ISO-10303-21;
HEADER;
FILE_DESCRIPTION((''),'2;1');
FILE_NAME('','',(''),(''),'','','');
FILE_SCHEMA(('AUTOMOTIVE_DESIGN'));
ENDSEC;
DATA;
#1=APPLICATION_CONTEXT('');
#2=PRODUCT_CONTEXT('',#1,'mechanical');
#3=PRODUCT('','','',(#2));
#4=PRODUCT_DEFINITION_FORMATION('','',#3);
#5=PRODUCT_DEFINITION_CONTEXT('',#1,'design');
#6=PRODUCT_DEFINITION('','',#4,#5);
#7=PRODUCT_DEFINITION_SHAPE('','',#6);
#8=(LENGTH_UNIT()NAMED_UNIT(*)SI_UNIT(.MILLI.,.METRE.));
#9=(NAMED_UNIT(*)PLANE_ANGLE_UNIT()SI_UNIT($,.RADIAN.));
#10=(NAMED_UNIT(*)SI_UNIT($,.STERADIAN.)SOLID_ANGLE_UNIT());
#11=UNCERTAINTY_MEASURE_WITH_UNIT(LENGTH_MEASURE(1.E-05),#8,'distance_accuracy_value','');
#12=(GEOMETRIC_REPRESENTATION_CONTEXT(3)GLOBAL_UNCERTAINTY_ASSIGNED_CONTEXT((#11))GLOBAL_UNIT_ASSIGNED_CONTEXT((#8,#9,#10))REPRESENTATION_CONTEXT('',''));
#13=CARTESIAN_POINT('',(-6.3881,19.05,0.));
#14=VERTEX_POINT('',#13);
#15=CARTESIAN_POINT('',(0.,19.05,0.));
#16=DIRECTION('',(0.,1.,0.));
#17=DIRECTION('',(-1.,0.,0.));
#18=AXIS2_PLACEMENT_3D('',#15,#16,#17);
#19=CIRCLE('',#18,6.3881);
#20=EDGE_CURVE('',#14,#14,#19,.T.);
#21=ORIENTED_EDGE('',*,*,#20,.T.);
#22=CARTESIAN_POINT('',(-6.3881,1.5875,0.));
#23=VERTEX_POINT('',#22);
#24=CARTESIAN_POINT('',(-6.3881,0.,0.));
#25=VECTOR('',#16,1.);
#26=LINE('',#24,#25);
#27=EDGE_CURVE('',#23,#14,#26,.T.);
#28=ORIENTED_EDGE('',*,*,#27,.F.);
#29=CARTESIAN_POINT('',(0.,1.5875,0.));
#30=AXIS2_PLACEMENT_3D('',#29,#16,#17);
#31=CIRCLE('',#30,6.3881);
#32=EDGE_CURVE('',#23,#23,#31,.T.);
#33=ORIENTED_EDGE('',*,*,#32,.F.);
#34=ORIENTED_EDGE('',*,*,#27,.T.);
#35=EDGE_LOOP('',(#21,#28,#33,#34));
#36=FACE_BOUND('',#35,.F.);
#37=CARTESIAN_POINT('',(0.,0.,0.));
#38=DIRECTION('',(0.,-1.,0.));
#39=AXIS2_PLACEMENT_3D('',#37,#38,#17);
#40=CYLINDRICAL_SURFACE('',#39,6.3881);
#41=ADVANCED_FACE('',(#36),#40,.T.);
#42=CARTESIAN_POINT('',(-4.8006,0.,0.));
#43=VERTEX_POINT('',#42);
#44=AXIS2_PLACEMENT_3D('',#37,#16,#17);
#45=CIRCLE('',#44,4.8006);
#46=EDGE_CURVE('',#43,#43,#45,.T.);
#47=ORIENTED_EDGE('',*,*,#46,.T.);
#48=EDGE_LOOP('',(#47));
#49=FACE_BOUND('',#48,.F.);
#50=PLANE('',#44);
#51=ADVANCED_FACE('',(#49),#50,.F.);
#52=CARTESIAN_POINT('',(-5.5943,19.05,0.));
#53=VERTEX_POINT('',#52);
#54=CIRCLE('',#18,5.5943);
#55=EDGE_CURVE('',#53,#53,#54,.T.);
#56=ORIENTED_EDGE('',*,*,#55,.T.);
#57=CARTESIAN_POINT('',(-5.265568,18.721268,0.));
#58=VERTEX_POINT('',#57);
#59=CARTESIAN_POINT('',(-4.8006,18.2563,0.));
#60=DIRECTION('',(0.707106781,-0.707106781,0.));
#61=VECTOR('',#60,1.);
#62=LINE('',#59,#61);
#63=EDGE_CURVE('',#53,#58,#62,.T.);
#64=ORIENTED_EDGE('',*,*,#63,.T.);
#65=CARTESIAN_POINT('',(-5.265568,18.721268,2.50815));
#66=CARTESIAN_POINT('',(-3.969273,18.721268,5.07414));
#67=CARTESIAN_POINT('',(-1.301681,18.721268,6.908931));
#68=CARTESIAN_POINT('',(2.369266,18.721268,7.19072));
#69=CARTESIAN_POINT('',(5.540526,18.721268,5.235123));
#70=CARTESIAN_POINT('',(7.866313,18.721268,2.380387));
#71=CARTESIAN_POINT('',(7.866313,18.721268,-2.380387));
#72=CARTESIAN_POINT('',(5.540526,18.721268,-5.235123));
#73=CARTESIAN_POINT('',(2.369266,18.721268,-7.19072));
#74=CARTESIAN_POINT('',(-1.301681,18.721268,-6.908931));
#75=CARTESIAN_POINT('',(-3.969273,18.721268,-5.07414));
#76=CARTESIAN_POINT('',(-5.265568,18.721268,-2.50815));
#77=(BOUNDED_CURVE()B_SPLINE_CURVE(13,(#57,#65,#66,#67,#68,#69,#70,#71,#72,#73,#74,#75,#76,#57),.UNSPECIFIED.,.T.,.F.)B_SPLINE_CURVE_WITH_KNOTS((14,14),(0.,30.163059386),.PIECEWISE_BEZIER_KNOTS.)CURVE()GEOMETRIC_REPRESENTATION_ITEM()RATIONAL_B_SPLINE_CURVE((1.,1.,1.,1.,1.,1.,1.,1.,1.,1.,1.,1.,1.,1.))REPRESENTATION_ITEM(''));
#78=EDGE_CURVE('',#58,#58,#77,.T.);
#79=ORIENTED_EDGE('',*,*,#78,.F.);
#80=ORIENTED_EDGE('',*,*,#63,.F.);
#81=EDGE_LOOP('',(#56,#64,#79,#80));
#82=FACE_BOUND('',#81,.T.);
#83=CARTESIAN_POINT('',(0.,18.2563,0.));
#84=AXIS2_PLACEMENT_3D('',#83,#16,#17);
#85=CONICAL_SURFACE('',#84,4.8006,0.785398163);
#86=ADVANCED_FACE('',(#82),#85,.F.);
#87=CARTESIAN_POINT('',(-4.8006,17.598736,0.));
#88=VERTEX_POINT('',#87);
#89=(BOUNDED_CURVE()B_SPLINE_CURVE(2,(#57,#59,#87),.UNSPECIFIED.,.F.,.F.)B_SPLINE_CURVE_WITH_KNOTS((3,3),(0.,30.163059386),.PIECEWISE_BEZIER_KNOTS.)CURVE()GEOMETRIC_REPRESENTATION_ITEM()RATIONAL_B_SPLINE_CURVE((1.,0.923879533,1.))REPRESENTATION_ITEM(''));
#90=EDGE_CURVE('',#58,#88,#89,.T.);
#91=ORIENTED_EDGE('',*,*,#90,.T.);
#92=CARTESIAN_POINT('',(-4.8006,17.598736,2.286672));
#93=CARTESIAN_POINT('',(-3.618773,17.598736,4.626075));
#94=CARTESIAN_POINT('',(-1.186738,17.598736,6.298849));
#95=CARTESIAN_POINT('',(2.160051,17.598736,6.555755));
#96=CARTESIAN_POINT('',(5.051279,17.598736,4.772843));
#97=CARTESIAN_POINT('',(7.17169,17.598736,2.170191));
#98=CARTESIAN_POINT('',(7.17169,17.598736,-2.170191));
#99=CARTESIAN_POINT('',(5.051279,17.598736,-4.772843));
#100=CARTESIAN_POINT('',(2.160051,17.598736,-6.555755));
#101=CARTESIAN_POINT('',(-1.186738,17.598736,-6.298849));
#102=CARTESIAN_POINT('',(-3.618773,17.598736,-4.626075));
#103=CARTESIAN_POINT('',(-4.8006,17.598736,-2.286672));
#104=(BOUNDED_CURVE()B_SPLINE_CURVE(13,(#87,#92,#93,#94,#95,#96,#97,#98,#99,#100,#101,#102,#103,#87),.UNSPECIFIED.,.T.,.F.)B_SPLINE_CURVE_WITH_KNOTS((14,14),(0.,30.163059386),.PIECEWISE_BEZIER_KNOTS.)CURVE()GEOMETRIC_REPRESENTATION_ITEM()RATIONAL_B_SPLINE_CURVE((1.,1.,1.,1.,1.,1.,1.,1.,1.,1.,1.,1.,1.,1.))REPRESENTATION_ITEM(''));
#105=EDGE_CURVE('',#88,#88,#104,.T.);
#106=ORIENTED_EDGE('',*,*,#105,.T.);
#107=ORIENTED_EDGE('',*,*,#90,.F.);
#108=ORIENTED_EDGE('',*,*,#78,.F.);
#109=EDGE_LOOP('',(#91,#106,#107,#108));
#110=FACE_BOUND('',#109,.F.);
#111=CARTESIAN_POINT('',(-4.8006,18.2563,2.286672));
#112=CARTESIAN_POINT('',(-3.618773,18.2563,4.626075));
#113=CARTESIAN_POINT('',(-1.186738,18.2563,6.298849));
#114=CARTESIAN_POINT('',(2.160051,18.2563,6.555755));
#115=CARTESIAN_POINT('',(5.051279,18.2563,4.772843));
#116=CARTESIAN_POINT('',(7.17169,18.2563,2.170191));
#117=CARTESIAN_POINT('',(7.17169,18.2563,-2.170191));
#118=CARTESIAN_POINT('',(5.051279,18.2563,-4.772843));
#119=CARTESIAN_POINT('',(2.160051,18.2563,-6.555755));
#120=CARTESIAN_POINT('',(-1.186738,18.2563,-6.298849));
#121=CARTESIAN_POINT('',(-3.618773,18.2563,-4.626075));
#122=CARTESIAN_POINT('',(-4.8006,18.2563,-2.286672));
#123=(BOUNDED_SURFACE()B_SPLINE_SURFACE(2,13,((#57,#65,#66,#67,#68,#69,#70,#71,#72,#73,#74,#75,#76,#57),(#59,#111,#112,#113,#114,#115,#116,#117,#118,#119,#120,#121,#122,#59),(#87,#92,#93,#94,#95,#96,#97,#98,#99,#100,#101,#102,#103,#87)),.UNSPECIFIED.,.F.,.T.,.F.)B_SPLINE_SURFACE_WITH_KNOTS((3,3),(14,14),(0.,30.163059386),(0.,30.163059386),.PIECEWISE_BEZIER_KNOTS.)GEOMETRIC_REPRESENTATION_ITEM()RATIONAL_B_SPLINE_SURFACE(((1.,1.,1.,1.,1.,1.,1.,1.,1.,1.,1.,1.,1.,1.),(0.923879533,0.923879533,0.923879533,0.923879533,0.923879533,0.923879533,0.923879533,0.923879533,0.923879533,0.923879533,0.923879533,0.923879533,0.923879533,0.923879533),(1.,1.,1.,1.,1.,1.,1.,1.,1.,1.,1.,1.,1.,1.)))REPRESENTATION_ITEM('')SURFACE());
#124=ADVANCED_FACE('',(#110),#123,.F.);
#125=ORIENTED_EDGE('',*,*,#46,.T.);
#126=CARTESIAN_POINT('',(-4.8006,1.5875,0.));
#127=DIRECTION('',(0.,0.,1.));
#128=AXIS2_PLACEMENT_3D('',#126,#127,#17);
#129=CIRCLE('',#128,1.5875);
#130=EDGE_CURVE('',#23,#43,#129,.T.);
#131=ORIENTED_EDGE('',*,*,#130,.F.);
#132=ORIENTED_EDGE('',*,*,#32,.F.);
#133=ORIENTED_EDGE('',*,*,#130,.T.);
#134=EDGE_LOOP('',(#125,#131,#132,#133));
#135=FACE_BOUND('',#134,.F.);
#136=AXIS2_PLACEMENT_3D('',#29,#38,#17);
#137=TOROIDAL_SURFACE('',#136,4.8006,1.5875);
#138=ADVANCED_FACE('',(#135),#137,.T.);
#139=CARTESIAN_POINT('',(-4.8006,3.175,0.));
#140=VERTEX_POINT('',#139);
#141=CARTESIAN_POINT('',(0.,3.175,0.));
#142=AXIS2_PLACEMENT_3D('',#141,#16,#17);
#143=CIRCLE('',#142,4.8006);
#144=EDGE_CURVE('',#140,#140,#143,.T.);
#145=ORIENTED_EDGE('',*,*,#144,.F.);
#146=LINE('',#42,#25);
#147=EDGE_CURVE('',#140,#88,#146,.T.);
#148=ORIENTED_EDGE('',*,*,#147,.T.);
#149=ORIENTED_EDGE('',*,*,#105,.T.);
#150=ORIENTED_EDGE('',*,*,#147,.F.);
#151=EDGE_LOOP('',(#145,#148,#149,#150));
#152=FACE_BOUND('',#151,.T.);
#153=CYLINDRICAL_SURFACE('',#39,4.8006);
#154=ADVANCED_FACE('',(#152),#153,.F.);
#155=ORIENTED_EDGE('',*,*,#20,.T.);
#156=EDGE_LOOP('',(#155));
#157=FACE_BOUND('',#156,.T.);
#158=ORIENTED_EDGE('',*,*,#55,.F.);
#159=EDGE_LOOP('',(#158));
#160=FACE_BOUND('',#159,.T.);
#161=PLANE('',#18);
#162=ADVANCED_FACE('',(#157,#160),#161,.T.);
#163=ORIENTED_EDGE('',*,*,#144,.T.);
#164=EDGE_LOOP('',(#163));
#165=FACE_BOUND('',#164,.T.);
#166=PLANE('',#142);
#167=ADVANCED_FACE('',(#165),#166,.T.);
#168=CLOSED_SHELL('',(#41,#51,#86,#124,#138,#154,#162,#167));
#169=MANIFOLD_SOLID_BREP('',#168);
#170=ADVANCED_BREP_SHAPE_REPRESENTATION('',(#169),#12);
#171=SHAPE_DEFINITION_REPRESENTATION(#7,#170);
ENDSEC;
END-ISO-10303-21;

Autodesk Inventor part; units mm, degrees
ref_plane "YZ Plane" through (0, 0, 0) normal (1, 0, 0) x (0, 1, 0)
ref_plane "XZ Plane" through (0, 0, 0) normal (0, 1, 0) x (-1, 0, 0)
ref_plane "XY Plane" through (0, 0, 0) normal (0, 0, 1) x (1, 0, 0)
sketch "Sketch1" plane through (0, 0, 0) normal (0, 1, 0) x (-1, 0, 0)
  circle A0 centre (0, 0) radius 4.8006
  circle A1 centre (0, 0) radius 6.3881
  dimension "d0" = 9.6012
  dimension "d1" = 1.5875
extrude "Extrusion1" add sketch "Sketch1" along normal blind 19.05
extrude "Extrusion2" add sketch "Sketch1" along normal blind 3.175 contours A0
fillet "Fillet1" radius 1.5875 1 edges at (6.3881, 0, 0)
chamfer "Chamfer1" distance 0.7937 angle 45 1 edges at (4.8006, 19.05, 0)
fillet "Fillet2" radius 1.5875 1 edges at (4.8006, 18.2563, 0)
properties part number "137 V Dipole Cap"
